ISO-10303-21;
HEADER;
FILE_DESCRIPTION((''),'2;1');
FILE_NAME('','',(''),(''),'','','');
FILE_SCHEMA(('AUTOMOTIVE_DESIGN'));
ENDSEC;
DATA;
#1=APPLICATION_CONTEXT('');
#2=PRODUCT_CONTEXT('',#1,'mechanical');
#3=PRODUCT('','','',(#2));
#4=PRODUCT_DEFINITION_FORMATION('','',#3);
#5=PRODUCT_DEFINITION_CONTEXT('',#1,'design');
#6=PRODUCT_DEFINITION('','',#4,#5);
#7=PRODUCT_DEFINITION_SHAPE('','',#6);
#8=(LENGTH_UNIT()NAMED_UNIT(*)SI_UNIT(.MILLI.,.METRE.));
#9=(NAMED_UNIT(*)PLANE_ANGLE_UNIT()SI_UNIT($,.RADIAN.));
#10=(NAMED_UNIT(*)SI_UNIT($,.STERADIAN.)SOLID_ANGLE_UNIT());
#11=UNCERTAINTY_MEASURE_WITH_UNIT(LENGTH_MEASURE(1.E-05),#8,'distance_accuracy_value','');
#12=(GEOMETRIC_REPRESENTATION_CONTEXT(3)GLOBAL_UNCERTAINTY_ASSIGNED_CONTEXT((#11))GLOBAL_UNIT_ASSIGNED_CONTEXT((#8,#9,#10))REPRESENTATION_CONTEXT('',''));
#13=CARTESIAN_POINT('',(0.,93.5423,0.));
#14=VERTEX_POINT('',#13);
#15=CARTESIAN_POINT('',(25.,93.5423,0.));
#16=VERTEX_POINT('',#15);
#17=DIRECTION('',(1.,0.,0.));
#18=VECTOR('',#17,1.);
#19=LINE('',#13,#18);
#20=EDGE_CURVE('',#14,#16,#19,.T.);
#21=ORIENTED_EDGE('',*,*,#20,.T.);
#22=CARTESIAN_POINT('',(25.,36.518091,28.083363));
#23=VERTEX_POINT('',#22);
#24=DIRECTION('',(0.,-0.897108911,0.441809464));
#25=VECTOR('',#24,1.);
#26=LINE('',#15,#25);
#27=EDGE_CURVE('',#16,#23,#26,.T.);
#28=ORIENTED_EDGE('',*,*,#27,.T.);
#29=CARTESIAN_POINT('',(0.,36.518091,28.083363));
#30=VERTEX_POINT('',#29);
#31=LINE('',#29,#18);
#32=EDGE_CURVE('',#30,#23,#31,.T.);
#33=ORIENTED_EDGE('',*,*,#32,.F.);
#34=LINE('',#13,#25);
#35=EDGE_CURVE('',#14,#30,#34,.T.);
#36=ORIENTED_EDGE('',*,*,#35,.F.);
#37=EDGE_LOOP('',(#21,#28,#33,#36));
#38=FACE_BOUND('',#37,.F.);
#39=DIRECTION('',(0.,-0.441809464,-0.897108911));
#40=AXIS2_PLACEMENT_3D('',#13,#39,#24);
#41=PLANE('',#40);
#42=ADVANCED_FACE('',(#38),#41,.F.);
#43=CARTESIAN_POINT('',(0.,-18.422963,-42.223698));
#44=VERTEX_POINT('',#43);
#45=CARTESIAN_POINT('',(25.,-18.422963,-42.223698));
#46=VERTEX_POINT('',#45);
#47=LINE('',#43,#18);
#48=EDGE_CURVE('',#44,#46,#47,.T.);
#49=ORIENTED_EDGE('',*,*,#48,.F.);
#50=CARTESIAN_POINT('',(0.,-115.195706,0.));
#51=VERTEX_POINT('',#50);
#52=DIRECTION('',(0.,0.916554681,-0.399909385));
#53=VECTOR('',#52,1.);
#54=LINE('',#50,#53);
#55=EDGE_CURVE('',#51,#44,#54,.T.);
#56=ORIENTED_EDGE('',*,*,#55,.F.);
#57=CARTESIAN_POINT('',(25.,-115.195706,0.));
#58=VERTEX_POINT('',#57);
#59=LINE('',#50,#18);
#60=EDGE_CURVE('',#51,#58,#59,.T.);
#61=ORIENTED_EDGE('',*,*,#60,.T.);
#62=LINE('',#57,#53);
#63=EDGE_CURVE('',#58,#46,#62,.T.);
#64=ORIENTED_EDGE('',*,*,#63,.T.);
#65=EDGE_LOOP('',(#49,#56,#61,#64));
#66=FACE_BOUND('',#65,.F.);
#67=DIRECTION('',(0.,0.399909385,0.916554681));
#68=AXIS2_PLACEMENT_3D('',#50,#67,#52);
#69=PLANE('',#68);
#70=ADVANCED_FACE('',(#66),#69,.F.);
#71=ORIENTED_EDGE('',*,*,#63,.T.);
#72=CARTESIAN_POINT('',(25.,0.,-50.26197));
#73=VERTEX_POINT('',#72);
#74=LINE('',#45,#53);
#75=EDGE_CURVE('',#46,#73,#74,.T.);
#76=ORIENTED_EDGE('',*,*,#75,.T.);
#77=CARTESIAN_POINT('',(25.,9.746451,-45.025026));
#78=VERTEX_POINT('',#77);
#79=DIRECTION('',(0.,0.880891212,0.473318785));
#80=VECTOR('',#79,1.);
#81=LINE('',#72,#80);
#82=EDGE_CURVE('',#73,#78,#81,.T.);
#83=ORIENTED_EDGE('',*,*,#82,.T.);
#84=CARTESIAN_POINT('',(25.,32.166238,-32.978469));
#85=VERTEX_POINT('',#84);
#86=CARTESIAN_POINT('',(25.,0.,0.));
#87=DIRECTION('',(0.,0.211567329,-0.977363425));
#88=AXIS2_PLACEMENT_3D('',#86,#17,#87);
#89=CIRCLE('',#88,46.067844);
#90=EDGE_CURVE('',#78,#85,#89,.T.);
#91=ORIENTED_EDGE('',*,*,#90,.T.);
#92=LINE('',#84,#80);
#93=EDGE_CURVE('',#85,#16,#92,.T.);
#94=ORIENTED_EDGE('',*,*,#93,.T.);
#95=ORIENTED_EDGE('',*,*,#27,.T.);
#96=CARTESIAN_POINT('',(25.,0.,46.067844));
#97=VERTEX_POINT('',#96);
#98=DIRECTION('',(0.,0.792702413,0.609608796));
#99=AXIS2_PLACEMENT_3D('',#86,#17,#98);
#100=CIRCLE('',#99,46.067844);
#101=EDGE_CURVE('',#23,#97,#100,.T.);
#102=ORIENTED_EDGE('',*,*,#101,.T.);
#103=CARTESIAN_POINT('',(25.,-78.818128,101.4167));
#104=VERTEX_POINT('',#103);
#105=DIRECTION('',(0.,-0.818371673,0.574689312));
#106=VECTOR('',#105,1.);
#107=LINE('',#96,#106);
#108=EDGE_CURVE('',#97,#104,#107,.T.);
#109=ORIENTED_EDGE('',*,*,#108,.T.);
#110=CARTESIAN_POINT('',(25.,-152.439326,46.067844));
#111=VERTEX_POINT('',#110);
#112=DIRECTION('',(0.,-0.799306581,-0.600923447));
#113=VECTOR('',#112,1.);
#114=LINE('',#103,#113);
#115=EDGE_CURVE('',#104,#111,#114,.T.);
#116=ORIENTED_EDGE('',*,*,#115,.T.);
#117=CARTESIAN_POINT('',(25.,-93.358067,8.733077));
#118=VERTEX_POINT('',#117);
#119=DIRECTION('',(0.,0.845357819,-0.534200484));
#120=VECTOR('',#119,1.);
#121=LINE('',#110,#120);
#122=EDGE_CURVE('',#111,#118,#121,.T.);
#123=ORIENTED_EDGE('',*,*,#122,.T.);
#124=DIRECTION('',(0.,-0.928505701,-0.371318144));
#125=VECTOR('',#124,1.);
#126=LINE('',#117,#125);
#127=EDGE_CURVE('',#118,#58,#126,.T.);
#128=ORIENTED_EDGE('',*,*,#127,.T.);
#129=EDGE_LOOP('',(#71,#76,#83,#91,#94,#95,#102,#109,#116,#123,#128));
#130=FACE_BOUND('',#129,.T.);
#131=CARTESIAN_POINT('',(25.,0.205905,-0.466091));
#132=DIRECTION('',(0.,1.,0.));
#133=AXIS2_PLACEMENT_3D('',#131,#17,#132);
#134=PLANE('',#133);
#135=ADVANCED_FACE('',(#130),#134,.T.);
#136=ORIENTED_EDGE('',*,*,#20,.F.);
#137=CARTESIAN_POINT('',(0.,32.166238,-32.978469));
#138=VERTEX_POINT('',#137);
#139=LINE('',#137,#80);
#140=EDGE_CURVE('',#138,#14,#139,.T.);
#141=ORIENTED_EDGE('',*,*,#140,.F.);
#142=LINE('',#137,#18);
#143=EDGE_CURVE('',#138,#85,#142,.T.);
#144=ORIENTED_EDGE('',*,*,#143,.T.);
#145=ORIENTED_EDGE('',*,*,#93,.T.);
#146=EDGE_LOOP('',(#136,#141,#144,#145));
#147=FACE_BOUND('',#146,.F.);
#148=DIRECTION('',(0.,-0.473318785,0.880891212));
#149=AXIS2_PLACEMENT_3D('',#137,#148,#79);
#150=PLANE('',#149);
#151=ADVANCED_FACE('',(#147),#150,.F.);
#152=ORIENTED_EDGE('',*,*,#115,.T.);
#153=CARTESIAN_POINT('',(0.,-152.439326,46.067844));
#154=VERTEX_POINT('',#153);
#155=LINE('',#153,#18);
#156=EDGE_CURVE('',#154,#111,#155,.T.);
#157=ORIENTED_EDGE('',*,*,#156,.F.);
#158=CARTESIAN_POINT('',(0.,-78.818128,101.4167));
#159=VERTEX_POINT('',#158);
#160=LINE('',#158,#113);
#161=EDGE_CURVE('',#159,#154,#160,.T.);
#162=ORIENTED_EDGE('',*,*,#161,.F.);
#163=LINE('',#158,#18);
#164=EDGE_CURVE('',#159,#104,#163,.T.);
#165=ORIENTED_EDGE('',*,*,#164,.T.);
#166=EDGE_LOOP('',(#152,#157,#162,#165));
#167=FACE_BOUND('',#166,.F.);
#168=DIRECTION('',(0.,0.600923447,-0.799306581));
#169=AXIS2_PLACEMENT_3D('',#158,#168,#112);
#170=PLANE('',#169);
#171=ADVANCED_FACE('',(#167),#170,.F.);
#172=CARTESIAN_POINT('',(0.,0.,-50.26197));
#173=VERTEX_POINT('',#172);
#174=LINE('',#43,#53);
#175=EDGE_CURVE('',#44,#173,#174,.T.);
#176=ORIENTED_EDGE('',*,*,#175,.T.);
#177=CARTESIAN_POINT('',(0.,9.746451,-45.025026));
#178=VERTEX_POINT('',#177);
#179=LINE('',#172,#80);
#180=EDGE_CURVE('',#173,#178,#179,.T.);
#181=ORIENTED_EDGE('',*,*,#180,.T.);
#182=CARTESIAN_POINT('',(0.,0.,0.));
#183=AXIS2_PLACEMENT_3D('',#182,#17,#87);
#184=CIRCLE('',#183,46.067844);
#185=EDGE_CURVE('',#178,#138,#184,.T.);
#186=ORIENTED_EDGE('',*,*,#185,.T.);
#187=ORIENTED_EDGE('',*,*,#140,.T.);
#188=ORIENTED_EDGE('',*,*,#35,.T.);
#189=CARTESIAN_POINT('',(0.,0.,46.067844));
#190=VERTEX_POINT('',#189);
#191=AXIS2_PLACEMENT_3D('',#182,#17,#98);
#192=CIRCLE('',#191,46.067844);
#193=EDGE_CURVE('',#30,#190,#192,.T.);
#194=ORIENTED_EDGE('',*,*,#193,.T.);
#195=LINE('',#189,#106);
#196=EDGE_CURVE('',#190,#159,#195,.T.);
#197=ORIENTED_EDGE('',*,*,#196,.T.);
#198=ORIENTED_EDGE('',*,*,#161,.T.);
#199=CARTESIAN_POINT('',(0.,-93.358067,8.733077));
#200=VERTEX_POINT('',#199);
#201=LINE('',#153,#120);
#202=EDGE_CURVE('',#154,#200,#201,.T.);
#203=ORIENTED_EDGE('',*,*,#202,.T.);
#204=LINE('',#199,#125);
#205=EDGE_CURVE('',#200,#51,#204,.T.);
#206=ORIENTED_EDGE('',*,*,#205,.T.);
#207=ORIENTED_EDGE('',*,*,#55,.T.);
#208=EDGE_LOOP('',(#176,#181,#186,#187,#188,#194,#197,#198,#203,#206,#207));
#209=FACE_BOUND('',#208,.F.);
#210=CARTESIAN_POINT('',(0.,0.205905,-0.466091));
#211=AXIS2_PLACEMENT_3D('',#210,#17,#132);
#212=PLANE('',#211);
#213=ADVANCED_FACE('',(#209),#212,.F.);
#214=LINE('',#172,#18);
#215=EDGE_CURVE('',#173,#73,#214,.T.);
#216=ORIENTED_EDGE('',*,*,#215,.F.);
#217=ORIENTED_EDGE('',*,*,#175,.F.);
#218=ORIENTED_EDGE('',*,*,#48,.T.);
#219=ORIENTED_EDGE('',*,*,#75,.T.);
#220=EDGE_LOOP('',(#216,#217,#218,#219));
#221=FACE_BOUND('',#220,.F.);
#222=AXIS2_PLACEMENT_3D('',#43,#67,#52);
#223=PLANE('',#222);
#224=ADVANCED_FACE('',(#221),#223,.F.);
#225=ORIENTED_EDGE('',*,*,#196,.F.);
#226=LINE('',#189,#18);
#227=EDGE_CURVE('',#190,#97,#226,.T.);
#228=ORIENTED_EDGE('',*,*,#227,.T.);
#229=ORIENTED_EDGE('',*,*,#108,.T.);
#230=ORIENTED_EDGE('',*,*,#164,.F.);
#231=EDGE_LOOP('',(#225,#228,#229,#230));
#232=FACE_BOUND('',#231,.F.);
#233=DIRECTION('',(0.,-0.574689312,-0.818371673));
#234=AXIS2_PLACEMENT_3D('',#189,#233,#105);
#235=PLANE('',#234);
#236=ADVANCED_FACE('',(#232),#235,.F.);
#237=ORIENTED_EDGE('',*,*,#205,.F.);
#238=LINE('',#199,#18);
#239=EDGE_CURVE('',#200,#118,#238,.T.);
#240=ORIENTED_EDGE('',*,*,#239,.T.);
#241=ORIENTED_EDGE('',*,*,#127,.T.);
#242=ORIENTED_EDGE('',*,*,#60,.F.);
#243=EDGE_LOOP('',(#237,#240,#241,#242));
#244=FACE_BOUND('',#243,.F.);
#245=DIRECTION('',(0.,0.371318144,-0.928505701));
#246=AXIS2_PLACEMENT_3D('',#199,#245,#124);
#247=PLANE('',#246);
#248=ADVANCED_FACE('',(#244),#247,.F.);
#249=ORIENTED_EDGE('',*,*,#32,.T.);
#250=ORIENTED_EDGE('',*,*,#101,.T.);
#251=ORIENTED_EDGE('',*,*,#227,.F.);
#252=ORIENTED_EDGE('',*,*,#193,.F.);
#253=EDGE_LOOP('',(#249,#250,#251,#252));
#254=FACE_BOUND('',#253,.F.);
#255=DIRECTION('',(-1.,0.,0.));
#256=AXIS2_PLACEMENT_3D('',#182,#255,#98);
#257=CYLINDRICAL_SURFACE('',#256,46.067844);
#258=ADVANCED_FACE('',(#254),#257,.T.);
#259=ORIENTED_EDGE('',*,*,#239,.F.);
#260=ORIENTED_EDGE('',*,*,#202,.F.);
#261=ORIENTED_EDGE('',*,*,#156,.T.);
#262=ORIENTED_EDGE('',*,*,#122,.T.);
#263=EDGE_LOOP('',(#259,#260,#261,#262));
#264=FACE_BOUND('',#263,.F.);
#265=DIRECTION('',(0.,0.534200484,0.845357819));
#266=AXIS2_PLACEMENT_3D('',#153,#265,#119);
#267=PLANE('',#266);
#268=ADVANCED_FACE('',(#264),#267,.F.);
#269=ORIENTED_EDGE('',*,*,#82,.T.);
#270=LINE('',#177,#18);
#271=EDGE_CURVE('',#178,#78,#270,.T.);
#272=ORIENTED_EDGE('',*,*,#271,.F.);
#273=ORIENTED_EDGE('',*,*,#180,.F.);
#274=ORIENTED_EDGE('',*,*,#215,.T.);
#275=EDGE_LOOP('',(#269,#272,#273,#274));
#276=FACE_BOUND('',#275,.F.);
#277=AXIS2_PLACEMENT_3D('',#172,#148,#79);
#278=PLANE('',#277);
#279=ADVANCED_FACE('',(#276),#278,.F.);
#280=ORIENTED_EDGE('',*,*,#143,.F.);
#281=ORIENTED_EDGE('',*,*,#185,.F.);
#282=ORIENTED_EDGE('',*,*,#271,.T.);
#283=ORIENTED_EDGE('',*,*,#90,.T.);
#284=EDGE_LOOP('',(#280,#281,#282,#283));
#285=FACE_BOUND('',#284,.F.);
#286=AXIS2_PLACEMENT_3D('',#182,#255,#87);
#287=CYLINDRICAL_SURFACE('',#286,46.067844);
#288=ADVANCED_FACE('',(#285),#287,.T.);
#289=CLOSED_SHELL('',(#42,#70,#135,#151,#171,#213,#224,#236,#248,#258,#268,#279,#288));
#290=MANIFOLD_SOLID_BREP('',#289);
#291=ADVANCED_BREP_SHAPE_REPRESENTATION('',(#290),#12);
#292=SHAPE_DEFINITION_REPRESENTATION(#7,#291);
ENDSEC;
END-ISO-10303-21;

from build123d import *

# Parameters (mm, degrees)
F1_DEPTH = 25


with BuildPart() as f1:
    # F0 (on Right) → F1 (new body)
    with BuildSketch(Plane.YZ):
        with BuildLine():
            ThreePointArc((32.1662380939, -32.9784685673), (42.45041522, -17.8943708973), (46.0678441232, 0))
            ThreePointArc((46.0678441232, 0), (43.6151120373, 14.8313271197), (36.5180912177, 28.0833629747))
            Line((36.5180912177, 28.0833629747), (0, 46.0678441232))
            Line((0, 46.0678441232), (-31.7657145821, 33.364436744))
            ThreePointArc((-31.7657145821, 33.364436744), (-45.8389447899, 4.5866548494), (-37.7466590893, -26.4090134188))
            Line((-37.7466590893, -26.4090134188), (-7.6490031363, -45.4283943495))
            ThreePointArc((-7.6490031363, -45.4283943495), (1.0679410721, -46.0554639975), (9.7464507406, -45.0250259313))
            Line((9.7464507406, -45.0250259313), (32.1662380939, -32.9784685673))
        make_face()
        with BuildLine():
            ThreePointArc((36.5180912177, 28.0833629747), (43.6151120373, 14.8313271197), (46.0678441232, 0))
            ThreePointArc((46.0678441232, 0), (42.45041522, -17.8943708973), (32.1662380939, -32.9784685673))
            Line((32.1662380939, -32.9784685673), (93.5423001647, 0))
            Line((93.5423001647, 0), (36.5180912177, 28.0833629747))
        make_face()
        with BuildLine():
            Line((0, 46.0678441232), (36.5180912177, 28.0833629747))
            ThreePointArc((36.5180912177, 28.0833629747), (20.3532095034, 41.3278734641), (0, 46.0678441232))
        make_face()
        with BuildLine():
            ThreePointArc((9.7464507406, -45.0250259313), (21.8047760231, -40.5807590459), (32.1662380939, -32.9784685673))
            Line((32.1662380939, -32.9784685673), (9.7464507406, -45.0250259313))
        make_face()
        with BuildLine():
            Line((-31.7657145821, 33.364436744), (0, 46.0678441232))
            ThreePointArc((0, 46.0678441232), (-17.1058263608, 42.7742558868), (-31.7657145821, 33.364436744))
        make_face()
        with BuildLine():
            ThreePointArc((-31.7657145821, 33.364436744), (-17.1058263608, 42.7742558868), (0, 46.0678441232))
            Line((0, 46.0678441232), (-78.8181275129, 101.4166995883))
            Line((-78.8181275129, 101.4166995883), (-152.4393260479, 46.0678441232))
            Line((-152.4393260479, 46.0678441232), (-93.3580668383, 8.7330770393))
            Line((-93.3580668383, 8.7330770393), (-31.7657145821, 33.364436744))
        make_face()
        with BuildLine():
            Line((0, -50.2619702472), (9.7464507406, -45.0250259313))
            ThreePointArc((9.7464507406, -45.0250259313), (1.0679410721, -46.0554639975), (-7.6490031363, -45.4283943495))
            Line((-7.6490031363, -45.4283943495), (0, -50.2619702472))
        make_face()
        with BuildLine():
            ThreePointArc((-37.7466590893, -26.4090134188), (-45.8389447899, 4.5866548494), (-31.7657145821, 33.364436744))
            Line((-31.7657145821, 33.364436744), (-93.3580668383, 8.7330770393))
            Line((-93.3580668383, 8.7330770393), (-37.7466590893, -26.4090134188))
        make_face()
        with BuildLine():
            Line((0, -50.2619702472), (-7.6490031363, -45.4283943495))
            ThreePointArc((-7.6490031363, -45.4283943495), (-13.1340921063, -44.1558816773), (-18.4229631222, -42.2236982269))
            Line((-18.4229631222, -42.2236982269), (0, -50.2619702472))
        make_face()
        with BuildLine():
            ThreePointArc((-18.4229631222, -42.2236982269), (-13.1340921063, -44.1558816773), (-7.6490031363, -45.4283943495))
            Line((-7.6490031363, -45.4283943495), (-37.7466590893, -26.4090134188))
            ThreePointArc((-37.7466590893, -26.4090134188), (-29.1767489405, -35.6505762004), (-18.4229631222, -42.2236982269))
        make_face()
        with BuildLine():
            ThreePointArc((-18.4229631222, -42.2236982269), (-29.1767489405, -35.6505762004), (-37.7466590893, -26.4090134188))
            Line((-37.7466590893, -26.4090134188), (-93.3580668383, 8.7330770393))
            Line((-93.3580668383, 8.7330770393), (-115.1957064867, 0))
            Line((-115.1957064867, 0), (-18.4229631222, -42.2236982269))
        make_face()
    extrude(amount=F1_DEPTH)


solid = f1.part
